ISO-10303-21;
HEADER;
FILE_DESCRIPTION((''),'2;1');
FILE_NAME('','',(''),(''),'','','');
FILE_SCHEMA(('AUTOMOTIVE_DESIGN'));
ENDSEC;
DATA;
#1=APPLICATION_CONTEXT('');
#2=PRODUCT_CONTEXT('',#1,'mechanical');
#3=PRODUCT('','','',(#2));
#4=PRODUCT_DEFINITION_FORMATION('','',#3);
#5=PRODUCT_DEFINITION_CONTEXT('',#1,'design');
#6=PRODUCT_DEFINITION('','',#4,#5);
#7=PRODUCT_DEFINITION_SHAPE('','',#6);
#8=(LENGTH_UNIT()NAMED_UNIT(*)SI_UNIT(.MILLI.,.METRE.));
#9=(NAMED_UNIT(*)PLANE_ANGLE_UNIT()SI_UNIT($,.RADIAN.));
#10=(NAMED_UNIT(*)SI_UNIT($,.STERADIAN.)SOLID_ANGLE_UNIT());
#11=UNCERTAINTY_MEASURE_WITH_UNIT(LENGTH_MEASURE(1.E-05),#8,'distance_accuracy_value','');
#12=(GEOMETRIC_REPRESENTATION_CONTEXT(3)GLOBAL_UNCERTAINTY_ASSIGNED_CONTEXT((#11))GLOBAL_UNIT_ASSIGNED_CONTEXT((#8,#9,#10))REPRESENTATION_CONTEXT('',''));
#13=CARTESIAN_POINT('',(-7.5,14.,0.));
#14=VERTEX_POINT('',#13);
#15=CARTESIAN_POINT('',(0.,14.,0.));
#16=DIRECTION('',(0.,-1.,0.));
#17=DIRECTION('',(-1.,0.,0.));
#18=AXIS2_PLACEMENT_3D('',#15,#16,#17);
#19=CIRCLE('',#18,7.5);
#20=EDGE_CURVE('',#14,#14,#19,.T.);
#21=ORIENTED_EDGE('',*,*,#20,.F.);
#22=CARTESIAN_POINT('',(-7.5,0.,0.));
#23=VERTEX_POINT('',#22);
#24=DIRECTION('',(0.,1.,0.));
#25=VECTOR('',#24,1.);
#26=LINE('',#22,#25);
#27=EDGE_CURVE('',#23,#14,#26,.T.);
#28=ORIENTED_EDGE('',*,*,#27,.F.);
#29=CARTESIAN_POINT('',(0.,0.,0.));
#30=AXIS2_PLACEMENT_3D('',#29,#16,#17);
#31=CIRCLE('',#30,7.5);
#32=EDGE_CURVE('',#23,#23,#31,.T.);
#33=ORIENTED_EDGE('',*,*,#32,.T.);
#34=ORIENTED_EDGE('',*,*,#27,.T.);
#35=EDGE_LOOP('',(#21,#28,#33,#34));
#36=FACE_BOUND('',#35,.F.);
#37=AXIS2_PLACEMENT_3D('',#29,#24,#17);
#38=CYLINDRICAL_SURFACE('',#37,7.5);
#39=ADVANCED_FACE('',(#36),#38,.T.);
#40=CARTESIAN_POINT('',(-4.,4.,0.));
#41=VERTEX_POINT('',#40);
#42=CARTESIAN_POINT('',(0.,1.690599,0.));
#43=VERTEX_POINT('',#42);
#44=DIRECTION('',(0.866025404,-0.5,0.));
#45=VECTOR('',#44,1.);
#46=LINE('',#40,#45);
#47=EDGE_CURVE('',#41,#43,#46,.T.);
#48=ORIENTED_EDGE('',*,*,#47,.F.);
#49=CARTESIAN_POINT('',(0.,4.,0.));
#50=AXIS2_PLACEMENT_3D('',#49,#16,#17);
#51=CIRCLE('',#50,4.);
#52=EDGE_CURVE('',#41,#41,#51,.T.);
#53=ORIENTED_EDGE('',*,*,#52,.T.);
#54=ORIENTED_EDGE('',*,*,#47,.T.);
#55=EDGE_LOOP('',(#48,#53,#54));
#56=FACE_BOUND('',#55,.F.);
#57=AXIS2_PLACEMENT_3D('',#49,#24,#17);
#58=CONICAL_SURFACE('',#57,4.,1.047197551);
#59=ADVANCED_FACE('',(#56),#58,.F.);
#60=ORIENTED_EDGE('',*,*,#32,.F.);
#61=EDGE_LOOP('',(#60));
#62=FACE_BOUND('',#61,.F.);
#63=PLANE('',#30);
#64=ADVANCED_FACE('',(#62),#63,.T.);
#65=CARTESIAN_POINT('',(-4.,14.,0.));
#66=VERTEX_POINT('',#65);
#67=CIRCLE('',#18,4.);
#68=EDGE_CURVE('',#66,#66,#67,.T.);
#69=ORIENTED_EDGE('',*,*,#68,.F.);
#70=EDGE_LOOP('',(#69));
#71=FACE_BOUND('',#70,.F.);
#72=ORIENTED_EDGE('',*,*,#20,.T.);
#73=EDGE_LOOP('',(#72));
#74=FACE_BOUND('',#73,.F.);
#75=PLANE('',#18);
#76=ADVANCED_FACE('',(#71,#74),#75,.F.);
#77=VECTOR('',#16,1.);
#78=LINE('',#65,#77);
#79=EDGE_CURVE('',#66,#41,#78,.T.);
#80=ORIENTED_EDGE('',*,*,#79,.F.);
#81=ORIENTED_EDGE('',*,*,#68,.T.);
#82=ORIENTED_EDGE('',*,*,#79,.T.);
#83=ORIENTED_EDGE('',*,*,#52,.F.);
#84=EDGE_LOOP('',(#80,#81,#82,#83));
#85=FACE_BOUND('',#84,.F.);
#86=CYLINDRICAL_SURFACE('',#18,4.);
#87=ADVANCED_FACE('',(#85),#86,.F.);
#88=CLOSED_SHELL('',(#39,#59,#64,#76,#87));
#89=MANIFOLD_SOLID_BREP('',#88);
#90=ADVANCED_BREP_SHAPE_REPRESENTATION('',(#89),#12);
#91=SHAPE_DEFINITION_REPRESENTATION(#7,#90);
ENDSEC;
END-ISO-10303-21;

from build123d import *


with BuildPart() as part:
    # Sketch1 → Revolve1 (revolve)
    with BuildSketch(Plane.XY):
        Polygon((0, 0), (-7.5, 0), (-7.5, 14), (-4, 14), (-4, 4), (0, 1.690598923), align=None)
    revolve(axis=Axis((0, 19.509951269, 0), (0, -1, 0)))


solid = part.part
